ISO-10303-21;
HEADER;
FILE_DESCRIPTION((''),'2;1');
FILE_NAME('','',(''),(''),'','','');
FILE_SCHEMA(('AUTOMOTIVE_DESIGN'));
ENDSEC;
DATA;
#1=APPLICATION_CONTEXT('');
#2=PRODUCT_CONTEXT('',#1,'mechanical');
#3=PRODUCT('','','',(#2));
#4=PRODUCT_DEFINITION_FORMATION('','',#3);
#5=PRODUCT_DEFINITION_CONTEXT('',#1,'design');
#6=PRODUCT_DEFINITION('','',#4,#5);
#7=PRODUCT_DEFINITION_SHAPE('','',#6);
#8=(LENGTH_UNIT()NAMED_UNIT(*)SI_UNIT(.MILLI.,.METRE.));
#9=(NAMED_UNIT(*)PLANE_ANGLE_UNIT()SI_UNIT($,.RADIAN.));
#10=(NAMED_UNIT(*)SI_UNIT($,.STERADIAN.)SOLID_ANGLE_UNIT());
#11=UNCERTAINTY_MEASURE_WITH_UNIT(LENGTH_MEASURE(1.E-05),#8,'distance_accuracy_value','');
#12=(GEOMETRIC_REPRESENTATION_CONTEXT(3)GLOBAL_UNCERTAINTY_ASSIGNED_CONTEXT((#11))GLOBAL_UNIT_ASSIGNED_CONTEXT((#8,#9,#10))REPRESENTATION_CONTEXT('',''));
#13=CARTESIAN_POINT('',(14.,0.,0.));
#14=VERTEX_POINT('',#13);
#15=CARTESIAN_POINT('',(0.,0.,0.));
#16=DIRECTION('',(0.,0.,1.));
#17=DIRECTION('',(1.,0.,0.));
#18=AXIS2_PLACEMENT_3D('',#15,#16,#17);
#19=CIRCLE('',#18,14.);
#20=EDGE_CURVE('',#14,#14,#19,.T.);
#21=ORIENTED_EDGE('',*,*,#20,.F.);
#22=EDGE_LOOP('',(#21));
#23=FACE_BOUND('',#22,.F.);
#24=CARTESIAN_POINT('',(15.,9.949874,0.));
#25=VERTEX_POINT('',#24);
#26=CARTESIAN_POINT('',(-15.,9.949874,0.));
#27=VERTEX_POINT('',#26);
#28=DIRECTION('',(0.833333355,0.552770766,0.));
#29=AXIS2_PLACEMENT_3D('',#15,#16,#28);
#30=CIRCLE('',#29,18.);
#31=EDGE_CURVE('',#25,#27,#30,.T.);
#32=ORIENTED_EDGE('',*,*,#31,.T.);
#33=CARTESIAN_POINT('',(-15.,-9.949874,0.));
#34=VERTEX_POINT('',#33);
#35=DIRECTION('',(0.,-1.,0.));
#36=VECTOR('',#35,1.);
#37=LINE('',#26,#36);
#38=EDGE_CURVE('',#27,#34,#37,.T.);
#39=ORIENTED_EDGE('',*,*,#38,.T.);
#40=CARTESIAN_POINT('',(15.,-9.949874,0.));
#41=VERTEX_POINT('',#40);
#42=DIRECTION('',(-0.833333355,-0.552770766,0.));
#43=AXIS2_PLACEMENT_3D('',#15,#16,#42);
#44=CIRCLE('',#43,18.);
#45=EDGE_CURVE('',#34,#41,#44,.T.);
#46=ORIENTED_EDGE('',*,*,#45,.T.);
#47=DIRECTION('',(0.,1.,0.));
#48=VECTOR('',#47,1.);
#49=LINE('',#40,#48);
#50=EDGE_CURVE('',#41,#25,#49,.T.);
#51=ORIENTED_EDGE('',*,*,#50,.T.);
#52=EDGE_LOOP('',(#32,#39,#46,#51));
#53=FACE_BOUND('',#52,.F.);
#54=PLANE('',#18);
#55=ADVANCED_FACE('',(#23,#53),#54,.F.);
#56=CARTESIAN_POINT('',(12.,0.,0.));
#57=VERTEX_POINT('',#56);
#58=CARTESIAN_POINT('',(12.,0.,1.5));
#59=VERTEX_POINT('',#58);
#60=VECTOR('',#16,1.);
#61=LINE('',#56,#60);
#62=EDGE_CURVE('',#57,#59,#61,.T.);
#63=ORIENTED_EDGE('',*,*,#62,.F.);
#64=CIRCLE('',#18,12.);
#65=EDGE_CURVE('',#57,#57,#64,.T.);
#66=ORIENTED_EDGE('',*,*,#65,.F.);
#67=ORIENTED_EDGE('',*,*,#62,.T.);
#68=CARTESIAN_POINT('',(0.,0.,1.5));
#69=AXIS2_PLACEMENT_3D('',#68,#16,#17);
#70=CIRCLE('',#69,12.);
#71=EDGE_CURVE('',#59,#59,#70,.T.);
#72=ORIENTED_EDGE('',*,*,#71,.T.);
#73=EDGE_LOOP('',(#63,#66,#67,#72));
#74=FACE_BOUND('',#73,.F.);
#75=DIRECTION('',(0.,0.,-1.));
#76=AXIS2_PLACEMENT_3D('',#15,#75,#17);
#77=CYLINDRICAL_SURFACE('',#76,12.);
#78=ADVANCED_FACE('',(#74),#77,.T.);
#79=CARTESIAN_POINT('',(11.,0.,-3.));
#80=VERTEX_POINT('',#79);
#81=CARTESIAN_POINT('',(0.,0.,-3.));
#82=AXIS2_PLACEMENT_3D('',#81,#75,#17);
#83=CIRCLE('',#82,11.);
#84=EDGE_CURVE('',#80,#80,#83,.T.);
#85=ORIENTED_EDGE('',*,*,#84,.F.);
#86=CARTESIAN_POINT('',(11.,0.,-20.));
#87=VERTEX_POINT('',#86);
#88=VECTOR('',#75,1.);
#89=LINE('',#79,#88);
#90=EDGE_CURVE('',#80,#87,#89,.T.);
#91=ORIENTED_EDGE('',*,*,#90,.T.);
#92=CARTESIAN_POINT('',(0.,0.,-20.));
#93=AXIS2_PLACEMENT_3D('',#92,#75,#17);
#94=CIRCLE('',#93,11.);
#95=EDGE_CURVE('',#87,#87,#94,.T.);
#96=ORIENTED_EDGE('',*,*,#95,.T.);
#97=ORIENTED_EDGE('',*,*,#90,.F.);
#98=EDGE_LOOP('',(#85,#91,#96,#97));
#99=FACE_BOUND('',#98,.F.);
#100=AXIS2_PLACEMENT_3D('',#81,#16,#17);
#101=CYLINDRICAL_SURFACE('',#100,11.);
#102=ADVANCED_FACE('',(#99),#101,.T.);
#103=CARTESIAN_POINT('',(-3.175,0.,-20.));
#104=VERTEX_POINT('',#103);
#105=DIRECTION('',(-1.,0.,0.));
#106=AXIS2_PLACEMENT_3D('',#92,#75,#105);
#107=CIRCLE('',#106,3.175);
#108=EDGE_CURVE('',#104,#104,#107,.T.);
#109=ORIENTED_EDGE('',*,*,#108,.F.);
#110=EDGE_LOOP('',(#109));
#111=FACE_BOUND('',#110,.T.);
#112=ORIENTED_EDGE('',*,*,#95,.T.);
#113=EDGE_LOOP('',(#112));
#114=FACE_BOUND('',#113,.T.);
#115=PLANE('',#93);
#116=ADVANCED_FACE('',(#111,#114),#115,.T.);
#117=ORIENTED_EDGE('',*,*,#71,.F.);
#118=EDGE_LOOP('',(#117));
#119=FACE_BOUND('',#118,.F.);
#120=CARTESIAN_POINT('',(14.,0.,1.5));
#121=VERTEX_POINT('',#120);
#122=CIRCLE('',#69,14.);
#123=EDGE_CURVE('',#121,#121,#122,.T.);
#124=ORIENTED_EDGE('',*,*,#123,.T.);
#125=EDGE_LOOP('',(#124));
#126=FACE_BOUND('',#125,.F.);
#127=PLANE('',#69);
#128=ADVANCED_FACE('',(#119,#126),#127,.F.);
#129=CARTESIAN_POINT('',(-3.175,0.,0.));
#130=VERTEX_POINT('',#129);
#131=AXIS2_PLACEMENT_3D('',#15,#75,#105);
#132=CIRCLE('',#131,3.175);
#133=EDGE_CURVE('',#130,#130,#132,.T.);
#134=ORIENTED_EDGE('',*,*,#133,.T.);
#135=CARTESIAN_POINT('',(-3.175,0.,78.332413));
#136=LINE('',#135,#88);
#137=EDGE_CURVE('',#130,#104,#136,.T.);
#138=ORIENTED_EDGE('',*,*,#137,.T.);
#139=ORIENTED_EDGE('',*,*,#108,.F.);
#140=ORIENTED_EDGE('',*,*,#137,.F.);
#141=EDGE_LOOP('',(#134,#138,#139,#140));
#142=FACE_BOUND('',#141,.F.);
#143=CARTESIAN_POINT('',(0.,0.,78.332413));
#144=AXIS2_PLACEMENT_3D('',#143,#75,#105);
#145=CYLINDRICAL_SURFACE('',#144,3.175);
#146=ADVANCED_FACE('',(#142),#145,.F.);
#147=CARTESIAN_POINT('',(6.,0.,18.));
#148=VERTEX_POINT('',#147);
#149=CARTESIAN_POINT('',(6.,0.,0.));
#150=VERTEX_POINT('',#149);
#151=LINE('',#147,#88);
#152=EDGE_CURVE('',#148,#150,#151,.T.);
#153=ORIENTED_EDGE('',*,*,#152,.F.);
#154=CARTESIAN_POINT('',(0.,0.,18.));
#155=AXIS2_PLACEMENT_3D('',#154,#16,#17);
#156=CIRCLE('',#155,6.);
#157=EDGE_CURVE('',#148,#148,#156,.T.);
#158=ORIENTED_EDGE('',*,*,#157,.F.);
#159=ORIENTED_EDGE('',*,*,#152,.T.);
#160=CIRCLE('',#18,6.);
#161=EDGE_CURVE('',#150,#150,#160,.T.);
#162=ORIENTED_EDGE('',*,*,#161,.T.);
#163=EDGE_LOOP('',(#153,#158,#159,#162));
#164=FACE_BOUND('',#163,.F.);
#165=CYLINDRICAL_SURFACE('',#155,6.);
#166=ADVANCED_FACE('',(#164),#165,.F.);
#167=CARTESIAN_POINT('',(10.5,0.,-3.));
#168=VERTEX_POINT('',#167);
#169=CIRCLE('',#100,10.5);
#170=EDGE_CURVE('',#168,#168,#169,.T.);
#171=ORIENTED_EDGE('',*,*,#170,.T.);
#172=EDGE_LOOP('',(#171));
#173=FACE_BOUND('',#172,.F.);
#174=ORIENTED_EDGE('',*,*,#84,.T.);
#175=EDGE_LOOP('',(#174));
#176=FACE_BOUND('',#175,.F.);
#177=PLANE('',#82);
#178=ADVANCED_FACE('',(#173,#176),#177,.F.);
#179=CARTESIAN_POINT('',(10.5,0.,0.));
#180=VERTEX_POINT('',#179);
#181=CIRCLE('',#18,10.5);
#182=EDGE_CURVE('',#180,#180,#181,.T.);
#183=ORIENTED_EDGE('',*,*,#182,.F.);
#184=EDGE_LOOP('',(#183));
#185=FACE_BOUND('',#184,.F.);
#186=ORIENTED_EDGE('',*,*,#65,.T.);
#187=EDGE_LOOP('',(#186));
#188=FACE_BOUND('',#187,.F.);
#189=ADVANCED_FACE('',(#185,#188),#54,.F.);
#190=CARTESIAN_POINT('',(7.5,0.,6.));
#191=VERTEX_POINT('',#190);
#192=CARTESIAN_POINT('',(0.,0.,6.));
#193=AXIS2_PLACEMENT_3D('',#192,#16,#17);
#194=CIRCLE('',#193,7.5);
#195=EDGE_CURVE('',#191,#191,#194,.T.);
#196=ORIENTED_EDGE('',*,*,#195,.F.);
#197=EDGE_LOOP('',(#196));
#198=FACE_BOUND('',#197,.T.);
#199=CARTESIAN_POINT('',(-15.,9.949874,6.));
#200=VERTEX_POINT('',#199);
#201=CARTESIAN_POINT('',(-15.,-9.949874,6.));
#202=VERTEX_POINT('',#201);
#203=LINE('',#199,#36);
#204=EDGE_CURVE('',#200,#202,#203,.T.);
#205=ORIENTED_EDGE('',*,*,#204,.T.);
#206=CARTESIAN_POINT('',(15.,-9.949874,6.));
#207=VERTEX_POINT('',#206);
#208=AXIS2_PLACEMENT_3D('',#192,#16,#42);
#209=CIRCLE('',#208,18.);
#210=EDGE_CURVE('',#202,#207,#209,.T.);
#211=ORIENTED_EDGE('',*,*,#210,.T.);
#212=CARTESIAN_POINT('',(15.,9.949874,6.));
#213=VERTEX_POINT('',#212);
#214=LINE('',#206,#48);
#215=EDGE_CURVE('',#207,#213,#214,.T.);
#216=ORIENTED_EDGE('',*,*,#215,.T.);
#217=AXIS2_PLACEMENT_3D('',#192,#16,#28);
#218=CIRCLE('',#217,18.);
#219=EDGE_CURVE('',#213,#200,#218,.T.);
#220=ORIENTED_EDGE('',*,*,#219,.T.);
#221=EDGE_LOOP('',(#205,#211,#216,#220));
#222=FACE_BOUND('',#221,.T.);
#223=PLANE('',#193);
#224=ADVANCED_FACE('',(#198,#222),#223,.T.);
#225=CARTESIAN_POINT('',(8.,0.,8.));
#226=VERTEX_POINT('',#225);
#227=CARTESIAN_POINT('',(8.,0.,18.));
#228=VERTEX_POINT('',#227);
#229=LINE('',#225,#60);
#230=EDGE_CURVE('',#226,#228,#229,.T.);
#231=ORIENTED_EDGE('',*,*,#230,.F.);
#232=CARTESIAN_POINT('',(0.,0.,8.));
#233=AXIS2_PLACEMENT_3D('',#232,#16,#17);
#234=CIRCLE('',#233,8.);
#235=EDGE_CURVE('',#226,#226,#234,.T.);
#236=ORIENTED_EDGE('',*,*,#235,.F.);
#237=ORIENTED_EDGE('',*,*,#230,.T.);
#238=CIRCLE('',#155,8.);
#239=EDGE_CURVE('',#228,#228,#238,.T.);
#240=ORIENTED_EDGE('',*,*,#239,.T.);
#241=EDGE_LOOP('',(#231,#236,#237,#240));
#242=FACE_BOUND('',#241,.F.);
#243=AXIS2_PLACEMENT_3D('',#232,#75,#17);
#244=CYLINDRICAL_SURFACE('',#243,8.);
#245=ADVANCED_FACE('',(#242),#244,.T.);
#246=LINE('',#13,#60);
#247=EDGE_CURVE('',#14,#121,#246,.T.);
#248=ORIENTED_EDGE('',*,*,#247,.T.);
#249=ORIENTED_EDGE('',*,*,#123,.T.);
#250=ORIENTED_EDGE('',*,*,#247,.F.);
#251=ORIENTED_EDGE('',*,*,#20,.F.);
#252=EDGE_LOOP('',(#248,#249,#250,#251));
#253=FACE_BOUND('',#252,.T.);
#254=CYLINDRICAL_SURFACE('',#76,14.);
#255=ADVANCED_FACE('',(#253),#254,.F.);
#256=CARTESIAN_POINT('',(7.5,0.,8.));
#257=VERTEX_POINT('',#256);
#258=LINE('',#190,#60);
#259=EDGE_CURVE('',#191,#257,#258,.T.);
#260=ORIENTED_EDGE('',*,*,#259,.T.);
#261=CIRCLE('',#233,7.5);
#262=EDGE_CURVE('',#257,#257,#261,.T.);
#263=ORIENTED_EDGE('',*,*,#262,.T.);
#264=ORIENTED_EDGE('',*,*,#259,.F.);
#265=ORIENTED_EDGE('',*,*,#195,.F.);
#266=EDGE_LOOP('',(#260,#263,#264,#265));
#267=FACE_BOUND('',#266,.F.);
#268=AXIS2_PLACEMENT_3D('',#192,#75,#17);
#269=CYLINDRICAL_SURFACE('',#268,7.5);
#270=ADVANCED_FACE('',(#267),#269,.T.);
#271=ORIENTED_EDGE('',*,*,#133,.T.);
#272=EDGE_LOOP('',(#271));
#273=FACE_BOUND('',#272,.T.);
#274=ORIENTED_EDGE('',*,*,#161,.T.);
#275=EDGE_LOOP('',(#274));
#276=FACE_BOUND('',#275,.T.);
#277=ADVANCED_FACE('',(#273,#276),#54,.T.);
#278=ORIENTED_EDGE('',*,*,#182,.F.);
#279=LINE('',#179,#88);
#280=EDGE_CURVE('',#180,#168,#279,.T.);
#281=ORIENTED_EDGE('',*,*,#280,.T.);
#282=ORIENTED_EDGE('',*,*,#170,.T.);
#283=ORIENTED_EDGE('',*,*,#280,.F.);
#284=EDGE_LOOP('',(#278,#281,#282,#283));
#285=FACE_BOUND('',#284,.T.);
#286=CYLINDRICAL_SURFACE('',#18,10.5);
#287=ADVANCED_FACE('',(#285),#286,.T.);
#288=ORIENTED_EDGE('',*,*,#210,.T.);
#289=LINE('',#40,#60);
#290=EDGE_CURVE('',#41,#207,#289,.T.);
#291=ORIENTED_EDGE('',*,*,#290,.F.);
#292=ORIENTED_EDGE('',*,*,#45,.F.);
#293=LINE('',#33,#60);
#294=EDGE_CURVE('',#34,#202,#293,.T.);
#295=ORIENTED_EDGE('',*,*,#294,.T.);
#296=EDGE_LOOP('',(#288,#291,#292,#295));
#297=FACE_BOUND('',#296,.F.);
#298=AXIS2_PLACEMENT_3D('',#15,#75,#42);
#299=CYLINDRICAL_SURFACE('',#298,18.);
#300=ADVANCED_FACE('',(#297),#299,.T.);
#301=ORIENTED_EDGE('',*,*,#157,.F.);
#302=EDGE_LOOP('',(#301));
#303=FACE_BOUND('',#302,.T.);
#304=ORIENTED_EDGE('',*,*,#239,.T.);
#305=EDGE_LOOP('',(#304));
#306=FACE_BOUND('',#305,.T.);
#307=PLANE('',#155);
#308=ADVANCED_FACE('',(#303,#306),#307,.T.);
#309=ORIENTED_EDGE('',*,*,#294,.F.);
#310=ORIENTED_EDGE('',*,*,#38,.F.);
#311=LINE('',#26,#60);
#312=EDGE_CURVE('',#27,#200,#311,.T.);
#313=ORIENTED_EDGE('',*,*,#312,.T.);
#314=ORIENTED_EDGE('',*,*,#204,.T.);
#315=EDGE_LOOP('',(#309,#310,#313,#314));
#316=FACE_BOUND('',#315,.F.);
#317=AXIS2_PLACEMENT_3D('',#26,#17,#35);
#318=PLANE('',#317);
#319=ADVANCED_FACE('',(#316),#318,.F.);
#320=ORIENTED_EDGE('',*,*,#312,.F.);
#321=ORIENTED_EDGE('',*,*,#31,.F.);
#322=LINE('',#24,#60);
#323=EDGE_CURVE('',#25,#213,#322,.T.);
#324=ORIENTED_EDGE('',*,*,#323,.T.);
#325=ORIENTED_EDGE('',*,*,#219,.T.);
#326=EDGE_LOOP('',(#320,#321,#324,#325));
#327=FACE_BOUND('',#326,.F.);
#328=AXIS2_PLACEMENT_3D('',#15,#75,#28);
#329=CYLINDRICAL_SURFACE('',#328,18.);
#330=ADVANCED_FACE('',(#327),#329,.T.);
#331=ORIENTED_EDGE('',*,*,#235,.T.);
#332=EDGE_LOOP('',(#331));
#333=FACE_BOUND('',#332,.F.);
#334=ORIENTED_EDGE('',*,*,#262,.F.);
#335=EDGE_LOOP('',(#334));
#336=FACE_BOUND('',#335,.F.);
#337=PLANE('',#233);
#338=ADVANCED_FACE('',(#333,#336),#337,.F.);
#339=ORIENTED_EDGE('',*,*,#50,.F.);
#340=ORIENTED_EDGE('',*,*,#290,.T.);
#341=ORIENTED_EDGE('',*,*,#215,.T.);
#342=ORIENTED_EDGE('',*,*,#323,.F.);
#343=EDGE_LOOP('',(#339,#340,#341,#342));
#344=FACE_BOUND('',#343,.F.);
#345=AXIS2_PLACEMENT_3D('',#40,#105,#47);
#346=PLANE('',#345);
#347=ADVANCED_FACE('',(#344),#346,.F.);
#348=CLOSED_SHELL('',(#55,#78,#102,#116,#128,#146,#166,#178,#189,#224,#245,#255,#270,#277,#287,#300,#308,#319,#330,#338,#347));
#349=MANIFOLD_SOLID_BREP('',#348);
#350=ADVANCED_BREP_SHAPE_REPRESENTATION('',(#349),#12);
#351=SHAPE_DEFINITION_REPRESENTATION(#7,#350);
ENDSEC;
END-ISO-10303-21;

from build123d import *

# Parameters (mm, degrees)
F1_DEPTH  = 6
F2_R      = 14
F2_R_2    = 12
F3_DEPTH  = 1.5
F4_R      = 10.5
F5_DEPTH  = 3
F7_R      = 11
F8_DEPTH  = 17
F10_R     = 7.5
F11_DEPTH = 2
F13_R     = 8
F14_DEPTH = 10
F17_D     = 6.35
F18_R     = 6
F19_DEPTH = 18


with BuildPart() as f1:
    # F0 (on Top) → F1 (new body)
    with BuildSketch(Plane.XY):
        with BuildLine():
            Line((15, -9.949874), (15, 9.949874))
            ThreePointArc((15, 9.949874), (0, 18), (-15, 9.949874))
            Line((-15, 9.949874), (-15, -9.949874))
            ThreePointArc((-15, -9.949874), (0, -18), (15, -9.949874))
        make_face()
    extrude(amount=F1_DEPTH)

    # F2 (on Top) → F3 (cut)
    with BuildSketch(Plane.XY):
        Circle(F2_R)
        Circle(F2_R_2, mode=Mode.SUBTRACT)
    extrude(amount=F3_DEPTH, mode=Mode.SUBTRACT)

    # F4 (on Top) → F5 (join)
    with BuildSketch(Plane.XY):
        Circle(F4_R)
    extrude(amount=-F5_DEPTH)

    # F7 (on offset) → F8 (join)
    with BuildSketch(Plane(origin=(0, 0, -3), x_dir=(1, 0, 0), z_dir=(0, 0, -1))):
        Circle(F7_R)
    extrude(amount=F8_DEPTH)

    # F10 (on offset) → F11 (join)
    with BuildSketch(Plane.XY.offset(6)):
        Circle(F10_R)
    extrude(amount=F11_DEPTH)

    # F13 (on offset) → F14 (join)
    with BuildSketch(Plane.XY.offset(8)):
        Circle(F13_R)
    extrude(amount=F14_DEPTH)

    # F17 (through all)
    with Locations(Plane.XY.offset(18)):
        with Locations((0, 0)):
            Hole(F17_D / 2)

    # F18 (on offset) → F19 (cut)
    with BuildSketch(Plane.XY.offset(18)):
        Circle(F18_R)
    extrude(amount=-F19_DEPTH, mode=Mode.SUBTRACT)


solid = f1.part
